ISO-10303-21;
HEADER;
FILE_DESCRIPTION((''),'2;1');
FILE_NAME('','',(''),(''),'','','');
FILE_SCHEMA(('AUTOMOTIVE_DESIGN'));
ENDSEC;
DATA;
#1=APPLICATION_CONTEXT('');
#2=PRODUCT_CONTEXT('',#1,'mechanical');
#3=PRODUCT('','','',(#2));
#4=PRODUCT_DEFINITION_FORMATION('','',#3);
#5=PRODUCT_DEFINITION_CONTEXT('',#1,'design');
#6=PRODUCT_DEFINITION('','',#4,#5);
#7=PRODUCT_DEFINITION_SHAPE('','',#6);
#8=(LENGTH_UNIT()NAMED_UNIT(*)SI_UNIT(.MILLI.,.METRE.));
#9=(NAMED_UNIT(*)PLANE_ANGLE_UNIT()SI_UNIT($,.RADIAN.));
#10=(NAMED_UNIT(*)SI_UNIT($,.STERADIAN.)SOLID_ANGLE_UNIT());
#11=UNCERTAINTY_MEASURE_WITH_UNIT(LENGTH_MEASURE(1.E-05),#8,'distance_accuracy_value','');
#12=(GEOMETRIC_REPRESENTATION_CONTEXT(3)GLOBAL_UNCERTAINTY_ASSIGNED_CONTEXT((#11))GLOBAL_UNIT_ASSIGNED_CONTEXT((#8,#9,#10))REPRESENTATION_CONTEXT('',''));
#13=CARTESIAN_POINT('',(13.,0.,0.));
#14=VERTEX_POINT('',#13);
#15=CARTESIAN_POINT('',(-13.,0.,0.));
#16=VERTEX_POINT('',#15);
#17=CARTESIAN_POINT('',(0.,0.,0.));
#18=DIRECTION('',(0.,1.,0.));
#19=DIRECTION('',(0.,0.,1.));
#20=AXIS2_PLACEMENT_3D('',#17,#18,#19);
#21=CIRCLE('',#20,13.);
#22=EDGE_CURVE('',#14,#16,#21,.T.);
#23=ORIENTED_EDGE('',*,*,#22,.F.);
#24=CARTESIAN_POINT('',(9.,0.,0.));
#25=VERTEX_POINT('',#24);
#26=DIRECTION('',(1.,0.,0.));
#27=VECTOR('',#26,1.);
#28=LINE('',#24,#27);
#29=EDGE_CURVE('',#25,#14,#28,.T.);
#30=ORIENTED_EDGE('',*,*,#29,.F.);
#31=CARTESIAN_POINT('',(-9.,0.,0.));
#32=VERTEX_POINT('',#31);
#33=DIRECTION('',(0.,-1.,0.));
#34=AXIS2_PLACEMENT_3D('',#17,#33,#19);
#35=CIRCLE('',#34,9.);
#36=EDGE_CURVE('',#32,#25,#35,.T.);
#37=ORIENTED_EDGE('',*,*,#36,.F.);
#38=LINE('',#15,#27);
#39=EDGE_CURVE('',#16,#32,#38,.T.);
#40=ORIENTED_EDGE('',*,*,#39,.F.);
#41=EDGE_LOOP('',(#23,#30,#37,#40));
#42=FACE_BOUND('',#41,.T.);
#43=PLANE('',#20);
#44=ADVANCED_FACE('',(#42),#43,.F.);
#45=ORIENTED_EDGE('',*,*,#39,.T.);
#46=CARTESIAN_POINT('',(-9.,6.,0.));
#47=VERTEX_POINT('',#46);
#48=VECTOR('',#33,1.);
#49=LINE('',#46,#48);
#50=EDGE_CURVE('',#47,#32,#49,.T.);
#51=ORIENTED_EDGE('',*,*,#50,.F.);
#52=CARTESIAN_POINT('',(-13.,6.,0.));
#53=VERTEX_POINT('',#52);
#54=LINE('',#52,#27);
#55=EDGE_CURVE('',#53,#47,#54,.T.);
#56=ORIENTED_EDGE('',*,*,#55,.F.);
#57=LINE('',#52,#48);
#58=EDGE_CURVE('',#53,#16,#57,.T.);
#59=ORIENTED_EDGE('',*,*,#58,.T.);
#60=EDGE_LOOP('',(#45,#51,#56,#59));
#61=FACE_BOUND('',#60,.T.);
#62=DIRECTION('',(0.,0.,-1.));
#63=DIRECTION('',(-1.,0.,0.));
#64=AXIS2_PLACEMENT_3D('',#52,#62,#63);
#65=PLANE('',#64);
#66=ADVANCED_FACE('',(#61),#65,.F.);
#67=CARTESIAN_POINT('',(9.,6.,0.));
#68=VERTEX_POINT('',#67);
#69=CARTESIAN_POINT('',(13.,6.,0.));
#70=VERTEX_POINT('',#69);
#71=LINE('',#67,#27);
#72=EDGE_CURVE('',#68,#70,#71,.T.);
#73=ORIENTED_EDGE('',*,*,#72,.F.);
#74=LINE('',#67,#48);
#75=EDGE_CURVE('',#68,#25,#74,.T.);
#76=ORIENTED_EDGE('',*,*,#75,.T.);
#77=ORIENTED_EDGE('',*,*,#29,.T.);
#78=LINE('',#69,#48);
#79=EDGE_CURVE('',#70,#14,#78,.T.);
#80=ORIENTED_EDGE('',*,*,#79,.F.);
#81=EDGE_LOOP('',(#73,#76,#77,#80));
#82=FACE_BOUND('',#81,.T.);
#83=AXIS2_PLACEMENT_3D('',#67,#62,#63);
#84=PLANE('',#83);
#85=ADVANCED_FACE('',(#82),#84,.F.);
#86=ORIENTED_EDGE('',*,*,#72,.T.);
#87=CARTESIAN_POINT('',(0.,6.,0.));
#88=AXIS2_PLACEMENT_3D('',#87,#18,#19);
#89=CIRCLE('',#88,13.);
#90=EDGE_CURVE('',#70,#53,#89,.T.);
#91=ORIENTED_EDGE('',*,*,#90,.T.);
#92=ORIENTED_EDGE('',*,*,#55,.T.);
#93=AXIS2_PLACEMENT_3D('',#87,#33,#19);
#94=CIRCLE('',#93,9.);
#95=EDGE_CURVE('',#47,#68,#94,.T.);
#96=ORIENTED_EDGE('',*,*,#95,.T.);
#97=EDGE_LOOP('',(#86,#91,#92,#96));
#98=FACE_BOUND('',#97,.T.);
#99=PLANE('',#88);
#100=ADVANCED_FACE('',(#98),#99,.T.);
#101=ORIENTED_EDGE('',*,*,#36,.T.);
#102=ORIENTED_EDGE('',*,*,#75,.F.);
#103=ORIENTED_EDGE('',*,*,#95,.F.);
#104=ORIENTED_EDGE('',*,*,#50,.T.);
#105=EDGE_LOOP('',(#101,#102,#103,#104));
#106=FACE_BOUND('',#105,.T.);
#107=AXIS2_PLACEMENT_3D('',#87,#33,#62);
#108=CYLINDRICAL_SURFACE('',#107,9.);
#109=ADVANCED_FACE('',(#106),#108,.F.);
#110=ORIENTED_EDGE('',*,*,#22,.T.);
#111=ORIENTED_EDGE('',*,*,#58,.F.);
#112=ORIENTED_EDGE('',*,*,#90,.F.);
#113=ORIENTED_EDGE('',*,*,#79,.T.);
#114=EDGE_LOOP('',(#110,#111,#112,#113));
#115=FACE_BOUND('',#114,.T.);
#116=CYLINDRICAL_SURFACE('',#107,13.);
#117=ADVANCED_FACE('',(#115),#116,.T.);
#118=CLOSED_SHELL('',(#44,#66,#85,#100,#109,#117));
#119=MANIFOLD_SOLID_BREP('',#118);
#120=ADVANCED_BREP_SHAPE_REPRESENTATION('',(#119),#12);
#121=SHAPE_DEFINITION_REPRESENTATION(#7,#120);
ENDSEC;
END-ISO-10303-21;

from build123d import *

# Parameters (mm, degrees)
BOSS_EXTRUDE1_DEPTH = 6


with BuildPart() as part:
    # Sketch1 → Boss-Extrude1 (new body)
    with BuildSketch(Plane(origin=(0, 0, 0), x_dir=(1, 0, 0), z_dir=(0, 1, 0))):
        with BuildLine():
            Line((-13, 0), (-9, 0))
            ThreePointArc((-9, 0), (0, 9), (9, 0))
            Line((9, 0), (13, 0))
            ThreePointArc((13, 0), (0, 13), (-13, 0))
        make_face()
    extrude(amount=BOSS_EXTRUDE1_DEPTH)


solid = part.part
